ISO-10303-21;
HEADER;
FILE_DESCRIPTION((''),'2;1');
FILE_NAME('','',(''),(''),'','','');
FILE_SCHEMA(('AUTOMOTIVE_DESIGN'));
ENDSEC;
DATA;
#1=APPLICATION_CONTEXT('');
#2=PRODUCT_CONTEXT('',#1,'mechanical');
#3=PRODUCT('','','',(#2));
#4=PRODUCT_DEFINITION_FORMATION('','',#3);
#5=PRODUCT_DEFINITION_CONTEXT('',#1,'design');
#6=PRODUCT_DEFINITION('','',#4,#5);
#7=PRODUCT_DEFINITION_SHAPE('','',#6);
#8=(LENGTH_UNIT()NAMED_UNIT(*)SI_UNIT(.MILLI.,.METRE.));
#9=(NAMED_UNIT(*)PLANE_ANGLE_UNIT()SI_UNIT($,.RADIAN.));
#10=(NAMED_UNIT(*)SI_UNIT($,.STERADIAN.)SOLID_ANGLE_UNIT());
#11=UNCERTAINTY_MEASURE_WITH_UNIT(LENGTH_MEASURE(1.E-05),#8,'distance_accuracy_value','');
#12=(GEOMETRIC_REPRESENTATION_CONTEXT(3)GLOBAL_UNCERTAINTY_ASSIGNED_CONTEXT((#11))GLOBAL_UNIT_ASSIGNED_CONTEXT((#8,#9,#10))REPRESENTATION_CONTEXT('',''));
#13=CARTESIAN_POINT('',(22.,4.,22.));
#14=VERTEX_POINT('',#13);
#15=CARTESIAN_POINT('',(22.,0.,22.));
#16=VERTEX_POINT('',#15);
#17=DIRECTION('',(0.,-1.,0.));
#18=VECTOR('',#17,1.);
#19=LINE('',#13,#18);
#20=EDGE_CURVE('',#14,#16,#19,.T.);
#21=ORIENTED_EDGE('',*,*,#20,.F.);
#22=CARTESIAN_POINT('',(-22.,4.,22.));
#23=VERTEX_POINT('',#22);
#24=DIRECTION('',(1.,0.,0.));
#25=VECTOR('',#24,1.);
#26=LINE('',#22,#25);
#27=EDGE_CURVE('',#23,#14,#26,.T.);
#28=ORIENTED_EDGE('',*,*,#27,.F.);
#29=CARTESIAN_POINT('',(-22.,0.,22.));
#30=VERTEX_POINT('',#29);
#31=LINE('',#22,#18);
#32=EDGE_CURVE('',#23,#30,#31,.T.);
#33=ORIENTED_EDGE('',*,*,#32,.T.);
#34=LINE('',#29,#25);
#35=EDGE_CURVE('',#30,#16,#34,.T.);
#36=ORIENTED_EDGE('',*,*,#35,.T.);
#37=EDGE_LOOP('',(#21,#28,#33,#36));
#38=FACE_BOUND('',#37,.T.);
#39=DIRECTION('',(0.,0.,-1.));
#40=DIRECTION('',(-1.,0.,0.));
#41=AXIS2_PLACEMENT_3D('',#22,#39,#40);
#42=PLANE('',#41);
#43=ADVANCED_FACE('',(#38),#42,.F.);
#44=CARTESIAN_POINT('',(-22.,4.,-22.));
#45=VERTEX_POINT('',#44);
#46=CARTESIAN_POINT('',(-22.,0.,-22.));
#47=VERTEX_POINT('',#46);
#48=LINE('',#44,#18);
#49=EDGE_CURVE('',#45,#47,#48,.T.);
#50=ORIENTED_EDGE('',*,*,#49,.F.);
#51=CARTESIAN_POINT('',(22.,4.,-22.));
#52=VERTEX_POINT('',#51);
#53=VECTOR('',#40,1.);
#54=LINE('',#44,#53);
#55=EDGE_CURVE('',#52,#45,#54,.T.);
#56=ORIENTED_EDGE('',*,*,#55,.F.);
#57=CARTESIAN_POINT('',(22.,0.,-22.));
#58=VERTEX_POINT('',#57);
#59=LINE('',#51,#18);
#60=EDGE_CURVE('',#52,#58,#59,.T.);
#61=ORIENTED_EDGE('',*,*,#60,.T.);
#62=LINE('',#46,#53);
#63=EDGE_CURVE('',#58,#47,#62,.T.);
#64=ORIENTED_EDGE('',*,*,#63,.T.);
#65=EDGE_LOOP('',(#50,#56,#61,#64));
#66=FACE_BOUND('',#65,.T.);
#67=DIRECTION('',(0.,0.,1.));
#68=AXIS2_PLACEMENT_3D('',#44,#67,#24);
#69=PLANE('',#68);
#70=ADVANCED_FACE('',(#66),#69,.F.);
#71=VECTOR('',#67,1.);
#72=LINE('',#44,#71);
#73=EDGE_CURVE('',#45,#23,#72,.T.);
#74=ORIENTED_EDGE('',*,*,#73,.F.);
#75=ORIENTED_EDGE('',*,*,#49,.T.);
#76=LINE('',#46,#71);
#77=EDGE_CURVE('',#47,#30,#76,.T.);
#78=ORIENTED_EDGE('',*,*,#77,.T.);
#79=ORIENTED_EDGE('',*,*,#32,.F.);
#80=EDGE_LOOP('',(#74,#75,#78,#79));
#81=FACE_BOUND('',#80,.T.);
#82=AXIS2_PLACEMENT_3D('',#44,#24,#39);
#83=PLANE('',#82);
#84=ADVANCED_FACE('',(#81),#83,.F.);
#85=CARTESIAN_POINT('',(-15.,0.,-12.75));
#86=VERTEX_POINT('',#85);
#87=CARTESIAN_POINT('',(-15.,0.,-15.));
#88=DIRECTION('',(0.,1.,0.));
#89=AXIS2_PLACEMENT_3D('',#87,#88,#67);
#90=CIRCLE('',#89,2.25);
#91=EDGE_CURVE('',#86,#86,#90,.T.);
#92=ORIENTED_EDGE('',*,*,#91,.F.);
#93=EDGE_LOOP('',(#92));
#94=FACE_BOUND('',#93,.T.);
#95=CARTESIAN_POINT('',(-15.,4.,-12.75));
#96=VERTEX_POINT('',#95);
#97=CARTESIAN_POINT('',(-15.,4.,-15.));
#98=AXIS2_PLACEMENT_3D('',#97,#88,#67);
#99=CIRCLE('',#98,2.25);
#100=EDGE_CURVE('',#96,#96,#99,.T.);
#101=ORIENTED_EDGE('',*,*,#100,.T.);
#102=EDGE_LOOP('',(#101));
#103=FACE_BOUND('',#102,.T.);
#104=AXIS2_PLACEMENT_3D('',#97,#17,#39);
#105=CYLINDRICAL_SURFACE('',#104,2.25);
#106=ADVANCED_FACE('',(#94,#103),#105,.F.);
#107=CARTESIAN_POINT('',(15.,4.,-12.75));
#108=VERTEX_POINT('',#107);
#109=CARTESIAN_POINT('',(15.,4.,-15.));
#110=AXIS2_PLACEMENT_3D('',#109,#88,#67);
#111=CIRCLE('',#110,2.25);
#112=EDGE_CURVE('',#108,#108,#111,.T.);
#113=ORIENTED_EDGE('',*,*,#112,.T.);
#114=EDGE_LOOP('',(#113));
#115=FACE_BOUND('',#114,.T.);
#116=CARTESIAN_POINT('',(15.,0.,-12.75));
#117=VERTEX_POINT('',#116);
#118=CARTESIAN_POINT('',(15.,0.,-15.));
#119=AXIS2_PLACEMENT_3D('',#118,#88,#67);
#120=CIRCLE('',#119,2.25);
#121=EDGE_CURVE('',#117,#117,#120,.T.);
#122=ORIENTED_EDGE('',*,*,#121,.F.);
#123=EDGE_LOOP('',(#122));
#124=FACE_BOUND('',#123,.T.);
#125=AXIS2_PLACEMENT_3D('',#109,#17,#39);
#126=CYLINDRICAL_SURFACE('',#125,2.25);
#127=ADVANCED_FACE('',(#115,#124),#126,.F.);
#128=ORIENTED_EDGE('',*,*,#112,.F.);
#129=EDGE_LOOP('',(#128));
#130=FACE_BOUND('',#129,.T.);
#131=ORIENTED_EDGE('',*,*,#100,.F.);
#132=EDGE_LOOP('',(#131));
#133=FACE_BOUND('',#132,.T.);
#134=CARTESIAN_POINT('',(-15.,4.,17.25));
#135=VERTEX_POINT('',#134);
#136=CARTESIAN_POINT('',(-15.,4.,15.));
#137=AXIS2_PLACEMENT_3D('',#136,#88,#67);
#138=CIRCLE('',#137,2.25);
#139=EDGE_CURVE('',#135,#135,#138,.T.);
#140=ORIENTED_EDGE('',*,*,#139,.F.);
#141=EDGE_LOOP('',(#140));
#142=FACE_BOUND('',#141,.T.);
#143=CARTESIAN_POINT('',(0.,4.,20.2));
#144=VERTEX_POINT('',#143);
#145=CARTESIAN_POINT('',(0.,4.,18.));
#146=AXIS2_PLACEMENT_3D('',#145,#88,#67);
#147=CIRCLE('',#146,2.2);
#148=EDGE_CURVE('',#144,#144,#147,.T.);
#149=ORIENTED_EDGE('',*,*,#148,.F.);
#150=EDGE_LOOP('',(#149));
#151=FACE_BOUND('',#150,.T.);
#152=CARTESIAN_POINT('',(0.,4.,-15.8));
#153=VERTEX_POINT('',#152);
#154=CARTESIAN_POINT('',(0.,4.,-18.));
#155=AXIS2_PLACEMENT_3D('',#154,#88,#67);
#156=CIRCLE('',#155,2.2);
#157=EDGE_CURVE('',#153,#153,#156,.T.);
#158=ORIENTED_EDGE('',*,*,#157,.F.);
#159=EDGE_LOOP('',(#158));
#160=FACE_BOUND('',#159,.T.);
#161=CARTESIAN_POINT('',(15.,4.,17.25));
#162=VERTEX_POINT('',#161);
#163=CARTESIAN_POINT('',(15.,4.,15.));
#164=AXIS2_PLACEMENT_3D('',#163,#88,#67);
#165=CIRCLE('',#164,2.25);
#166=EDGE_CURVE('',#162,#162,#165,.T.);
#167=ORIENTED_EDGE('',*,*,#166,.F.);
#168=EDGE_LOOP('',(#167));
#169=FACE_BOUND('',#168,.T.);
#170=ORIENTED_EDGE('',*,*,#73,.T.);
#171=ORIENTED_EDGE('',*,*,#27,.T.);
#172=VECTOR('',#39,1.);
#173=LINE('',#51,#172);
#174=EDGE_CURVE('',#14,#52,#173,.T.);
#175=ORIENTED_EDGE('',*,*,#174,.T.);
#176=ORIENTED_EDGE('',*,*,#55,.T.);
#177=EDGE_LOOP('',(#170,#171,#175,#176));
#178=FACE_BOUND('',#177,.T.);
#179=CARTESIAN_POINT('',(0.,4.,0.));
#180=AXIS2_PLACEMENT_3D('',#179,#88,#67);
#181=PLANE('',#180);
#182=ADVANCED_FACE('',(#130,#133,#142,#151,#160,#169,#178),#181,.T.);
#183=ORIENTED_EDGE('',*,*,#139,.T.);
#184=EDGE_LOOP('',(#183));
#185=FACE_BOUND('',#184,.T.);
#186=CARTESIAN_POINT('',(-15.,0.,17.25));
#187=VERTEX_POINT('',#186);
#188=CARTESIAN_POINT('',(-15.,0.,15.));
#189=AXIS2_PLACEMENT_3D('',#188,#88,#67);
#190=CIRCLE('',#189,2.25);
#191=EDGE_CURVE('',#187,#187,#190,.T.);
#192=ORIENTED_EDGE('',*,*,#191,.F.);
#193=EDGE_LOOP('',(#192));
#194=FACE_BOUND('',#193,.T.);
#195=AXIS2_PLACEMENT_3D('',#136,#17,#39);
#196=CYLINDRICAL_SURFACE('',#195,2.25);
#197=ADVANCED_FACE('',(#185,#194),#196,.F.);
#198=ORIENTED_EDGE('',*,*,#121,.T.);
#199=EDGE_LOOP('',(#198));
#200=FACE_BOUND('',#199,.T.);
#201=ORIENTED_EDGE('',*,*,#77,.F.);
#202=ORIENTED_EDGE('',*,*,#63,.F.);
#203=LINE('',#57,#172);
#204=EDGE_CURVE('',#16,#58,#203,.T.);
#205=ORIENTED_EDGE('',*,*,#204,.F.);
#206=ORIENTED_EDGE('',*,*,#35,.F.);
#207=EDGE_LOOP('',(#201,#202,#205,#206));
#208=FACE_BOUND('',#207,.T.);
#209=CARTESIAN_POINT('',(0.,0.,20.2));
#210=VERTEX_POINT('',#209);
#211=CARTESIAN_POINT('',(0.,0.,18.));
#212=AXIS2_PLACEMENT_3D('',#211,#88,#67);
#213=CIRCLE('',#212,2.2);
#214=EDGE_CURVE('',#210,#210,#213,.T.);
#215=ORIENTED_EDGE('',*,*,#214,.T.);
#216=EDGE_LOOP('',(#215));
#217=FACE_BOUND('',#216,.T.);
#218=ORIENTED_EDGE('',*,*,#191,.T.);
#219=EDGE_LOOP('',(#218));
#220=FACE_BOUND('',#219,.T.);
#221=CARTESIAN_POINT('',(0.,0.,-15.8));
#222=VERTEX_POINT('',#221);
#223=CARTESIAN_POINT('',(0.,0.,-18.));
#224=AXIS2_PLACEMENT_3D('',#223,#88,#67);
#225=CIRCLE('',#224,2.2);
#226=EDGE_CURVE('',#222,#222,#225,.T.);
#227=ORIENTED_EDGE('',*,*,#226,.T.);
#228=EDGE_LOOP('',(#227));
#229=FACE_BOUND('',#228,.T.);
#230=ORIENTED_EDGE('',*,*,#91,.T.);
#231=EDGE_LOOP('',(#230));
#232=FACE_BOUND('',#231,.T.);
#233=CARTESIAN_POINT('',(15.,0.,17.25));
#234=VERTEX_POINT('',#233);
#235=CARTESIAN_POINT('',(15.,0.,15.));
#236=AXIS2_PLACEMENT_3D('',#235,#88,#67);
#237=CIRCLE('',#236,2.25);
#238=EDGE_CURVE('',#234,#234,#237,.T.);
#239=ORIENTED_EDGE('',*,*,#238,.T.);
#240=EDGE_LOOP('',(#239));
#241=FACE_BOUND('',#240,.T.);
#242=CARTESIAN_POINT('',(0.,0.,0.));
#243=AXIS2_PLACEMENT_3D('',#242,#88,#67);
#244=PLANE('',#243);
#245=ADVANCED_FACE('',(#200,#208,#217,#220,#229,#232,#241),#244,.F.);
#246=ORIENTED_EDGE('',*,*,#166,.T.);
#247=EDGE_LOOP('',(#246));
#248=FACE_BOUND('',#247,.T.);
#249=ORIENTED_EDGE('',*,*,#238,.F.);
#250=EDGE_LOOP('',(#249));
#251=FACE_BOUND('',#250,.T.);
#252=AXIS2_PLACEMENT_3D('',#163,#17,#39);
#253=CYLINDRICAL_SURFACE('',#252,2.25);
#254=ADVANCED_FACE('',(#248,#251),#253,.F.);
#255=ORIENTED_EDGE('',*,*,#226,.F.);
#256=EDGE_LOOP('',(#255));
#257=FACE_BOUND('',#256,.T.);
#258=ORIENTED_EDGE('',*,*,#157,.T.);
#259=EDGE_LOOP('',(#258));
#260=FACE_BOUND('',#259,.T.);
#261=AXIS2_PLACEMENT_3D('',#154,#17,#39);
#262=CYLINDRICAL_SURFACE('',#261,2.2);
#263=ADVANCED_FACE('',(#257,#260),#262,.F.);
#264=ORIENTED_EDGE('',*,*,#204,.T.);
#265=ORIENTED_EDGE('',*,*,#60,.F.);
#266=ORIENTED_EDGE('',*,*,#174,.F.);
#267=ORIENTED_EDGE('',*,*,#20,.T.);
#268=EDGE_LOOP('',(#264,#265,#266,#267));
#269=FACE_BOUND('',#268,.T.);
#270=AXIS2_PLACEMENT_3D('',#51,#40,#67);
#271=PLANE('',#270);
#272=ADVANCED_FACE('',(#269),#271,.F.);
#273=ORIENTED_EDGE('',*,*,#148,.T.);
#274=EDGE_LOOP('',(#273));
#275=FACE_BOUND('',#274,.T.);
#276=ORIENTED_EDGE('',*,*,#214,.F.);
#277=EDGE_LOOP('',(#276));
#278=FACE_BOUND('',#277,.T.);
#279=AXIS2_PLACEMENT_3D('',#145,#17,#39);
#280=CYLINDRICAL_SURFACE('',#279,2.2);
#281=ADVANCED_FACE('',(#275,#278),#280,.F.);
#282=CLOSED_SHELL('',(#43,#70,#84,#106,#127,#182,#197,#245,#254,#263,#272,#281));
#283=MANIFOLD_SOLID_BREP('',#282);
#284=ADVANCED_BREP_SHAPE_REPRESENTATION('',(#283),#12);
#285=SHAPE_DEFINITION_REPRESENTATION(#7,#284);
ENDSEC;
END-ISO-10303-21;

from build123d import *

# Parameters (mm, degrees)
SK_PLATE_W      = 44
SK_PLATE_H      = 44
EX_PLATE_DEPTH  = 4
SK_HOLES_R      = 2.25
SK_HOLES_R_2    = 2.2
CUT_HOLES_DEPTH = 4


with BuildPart() as part:
    # SK_Plate → EX_Plate (new body)
    with BuildSketch(Plane(origin=(0, 0, 0), x_dir=(1, 0, 0), z_dir=(0, 1, 0))):
        Rectangle(SK_PLATE_W, SK_PLATE_H)
    extrude(amount=EX_PLATE_DEPTH)

    # SK_Holes → CUT_Holes (cut)
    with BuildSketch(Plane(origin=(0, 0, 0), x_dir=(1, 0, 0), z_dir=(0, 1, 0))):
        with Locations((15, -15)):
            Circle(SK_HOLES_R)
        with Locations((-15, -15)):
            Circle(SK_HOLES_R)
        with Locations((15, 15)):
            Circle(SK_HOLES_R)
        with Locations((-15, 15)):
            Circle(SK_HOLES_R)
        with Locations((0, -18)):
            Circle(SK_HOLES_R_2)
        with Locations((0, 18)):
            Circle(SK_HOLES_R_2)
    extrude(amount=CUT_HOLES_DEPTH, mode=Mode.SUBTRACT)


solid = part.part
